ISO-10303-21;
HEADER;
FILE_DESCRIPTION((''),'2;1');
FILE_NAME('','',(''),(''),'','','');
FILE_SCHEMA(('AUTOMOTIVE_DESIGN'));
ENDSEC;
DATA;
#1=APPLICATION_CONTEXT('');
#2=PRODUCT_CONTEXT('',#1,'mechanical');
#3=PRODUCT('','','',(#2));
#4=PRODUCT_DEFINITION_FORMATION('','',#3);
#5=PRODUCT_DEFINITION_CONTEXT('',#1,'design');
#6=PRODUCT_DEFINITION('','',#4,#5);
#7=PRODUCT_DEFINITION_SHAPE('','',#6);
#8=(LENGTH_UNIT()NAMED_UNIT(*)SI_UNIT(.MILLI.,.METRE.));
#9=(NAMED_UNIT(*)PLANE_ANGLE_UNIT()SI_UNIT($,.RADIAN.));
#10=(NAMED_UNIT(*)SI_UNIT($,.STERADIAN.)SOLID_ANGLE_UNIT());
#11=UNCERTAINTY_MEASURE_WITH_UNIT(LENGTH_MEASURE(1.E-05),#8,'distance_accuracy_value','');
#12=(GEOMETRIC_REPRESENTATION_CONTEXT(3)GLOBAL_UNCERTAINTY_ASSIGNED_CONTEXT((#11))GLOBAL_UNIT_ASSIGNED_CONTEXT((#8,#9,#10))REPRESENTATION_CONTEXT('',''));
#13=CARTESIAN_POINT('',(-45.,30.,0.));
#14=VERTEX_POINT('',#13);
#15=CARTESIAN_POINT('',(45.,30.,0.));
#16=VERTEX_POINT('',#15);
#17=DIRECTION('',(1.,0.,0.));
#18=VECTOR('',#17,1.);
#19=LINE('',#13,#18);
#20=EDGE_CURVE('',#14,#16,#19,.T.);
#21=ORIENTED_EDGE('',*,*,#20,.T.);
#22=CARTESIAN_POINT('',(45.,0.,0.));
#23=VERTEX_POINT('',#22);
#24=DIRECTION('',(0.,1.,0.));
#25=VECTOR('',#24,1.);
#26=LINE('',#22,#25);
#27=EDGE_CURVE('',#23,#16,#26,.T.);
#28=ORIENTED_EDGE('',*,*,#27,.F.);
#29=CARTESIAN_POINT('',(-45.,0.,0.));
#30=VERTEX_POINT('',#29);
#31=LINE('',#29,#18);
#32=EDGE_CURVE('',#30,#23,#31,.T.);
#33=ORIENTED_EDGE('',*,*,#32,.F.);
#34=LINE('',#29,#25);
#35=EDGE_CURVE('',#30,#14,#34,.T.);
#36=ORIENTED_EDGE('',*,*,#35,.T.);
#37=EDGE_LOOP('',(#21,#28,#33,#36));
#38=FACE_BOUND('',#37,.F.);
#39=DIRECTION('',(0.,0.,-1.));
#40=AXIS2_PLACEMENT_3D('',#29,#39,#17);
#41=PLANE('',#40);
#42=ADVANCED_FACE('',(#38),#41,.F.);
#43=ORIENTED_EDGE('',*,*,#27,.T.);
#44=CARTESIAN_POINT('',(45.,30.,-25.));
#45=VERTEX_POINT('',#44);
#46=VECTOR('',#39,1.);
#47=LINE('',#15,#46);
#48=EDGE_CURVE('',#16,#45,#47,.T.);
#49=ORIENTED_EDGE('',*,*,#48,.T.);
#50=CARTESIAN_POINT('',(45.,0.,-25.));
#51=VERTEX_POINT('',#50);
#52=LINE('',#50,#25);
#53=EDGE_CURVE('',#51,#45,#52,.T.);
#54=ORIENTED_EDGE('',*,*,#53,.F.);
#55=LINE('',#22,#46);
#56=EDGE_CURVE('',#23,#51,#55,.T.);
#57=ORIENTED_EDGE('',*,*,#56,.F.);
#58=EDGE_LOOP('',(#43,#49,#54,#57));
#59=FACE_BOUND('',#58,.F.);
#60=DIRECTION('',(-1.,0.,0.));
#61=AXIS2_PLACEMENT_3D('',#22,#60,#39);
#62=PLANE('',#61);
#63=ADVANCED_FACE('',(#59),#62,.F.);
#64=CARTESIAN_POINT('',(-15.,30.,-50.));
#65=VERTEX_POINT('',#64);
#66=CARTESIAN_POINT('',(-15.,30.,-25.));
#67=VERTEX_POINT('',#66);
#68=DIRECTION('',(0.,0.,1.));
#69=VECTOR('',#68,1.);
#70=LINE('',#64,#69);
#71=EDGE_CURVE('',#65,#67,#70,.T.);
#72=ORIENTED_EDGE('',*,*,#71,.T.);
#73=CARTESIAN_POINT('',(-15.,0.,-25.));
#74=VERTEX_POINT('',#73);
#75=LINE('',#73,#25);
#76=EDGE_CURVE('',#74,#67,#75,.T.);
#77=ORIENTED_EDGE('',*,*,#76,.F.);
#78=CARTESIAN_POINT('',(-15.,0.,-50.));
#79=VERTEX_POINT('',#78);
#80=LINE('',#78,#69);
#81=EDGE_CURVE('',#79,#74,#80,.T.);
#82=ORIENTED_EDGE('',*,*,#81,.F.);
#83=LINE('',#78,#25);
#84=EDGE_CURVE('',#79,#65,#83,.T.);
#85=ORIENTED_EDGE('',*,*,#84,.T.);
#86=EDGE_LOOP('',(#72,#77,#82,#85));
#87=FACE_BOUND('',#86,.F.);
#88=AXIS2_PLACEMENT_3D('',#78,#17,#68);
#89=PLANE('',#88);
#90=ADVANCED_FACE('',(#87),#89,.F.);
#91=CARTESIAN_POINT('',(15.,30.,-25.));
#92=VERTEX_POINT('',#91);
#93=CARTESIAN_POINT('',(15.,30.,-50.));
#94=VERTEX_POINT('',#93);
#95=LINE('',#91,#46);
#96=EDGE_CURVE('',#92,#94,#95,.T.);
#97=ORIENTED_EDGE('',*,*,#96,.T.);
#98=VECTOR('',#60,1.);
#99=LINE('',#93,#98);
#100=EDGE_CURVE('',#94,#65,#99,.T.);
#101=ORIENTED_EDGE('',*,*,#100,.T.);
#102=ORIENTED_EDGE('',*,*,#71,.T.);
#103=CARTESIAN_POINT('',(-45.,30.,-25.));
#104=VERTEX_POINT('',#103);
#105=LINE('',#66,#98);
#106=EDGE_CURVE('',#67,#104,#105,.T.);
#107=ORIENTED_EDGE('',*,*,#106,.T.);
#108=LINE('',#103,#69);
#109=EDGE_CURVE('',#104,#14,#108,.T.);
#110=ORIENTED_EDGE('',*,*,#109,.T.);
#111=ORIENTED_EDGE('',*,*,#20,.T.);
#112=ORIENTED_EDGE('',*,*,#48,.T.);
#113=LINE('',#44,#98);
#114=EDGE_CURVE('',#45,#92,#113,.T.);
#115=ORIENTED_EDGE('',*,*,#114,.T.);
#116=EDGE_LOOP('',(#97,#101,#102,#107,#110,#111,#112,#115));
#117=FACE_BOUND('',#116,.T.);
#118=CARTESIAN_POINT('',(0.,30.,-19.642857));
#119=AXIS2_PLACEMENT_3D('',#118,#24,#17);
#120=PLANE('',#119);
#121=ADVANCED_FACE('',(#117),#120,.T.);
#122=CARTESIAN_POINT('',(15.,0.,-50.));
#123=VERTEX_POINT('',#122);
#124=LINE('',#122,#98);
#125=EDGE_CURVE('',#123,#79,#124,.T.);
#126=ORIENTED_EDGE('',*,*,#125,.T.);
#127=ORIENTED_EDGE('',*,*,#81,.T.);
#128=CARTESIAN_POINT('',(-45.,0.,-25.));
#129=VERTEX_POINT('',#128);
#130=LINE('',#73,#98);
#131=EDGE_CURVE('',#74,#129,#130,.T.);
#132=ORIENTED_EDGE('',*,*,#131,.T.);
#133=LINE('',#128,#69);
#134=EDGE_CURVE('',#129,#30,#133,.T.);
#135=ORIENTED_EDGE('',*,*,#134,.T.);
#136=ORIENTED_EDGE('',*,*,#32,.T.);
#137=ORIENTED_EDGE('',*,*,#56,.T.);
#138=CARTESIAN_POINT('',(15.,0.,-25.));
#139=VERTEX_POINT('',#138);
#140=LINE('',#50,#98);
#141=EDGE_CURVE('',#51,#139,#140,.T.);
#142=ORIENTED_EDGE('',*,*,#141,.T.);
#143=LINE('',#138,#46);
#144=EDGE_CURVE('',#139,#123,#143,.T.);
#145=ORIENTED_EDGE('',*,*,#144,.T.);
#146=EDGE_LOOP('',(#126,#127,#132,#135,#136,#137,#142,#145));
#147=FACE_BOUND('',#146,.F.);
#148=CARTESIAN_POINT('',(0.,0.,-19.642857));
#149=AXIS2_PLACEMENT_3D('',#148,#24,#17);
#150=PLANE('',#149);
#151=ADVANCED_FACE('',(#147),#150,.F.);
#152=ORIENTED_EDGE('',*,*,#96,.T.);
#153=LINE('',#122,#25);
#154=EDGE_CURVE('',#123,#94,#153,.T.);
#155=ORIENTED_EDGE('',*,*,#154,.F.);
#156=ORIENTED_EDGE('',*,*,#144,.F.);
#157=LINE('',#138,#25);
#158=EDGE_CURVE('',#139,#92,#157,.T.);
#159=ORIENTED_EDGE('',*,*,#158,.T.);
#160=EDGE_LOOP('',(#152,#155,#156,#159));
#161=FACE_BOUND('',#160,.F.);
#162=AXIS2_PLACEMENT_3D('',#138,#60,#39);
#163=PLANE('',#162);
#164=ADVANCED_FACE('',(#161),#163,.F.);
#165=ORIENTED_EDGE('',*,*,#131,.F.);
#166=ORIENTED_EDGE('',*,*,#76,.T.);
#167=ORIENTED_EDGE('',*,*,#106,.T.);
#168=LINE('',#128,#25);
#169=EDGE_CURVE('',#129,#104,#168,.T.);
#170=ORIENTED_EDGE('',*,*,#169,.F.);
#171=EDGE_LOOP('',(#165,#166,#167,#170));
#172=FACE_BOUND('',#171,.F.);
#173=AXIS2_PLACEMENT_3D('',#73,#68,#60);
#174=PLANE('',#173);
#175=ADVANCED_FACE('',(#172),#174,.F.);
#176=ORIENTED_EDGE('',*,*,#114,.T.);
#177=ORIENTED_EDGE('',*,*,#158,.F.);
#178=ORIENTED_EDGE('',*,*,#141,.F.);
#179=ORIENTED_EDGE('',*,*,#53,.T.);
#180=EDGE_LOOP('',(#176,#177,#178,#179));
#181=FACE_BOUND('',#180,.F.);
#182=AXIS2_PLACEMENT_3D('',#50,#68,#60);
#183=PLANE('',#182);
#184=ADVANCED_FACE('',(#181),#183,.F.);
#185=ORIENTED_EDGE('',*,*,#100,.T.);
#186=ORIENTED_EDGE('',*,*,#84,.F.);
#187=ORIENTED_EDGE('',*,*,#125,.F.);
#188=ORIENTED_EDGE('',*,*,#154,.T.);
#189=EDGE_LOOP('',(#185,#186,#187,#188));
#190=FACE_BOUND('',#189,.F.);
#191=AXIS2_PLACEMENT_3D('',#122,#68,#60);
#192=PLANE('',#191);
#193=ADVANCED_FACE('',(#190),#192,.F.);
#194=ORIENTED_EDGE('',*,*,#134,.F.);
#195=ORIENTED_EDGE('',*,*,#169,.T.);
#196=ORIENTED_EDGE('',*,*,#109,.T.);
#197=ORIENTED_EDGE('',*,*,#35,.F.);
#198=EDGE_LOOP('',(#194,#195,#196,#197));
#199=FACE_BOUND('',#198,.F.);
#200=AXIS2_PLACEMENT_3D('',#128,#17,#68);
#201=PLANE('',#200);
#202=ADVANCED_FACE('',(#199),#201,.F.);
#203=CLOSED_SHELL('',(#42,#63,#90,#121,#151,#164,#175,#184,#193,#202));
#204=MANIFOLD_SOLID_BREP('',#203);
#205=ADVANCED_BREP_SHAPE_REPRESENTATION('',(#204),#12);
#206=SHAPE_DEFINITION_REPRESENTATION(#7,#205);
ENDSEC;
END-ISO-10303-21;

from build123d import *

# Parameters (mm, degrees)
BOSS_EXTRUDE1_DEPTH = 30


with BuildPart() as part:
    # Sketch2 → Boss-Extrude1 (new body)
    with BuildSketch(Plane(origin=(0, 0, 0), x_dir=(1, 0, 0), z_dir=(0, 1, 0))):
        Polygon((-45, 0), (45, 0), (45, 25), (15, 25), (15, 50), (-15, 50), (-15, 25), (-45, 25), align=None)
    extrude(amount=BOSS_EXTRUDE1_DEPTH)


solid = part.part
